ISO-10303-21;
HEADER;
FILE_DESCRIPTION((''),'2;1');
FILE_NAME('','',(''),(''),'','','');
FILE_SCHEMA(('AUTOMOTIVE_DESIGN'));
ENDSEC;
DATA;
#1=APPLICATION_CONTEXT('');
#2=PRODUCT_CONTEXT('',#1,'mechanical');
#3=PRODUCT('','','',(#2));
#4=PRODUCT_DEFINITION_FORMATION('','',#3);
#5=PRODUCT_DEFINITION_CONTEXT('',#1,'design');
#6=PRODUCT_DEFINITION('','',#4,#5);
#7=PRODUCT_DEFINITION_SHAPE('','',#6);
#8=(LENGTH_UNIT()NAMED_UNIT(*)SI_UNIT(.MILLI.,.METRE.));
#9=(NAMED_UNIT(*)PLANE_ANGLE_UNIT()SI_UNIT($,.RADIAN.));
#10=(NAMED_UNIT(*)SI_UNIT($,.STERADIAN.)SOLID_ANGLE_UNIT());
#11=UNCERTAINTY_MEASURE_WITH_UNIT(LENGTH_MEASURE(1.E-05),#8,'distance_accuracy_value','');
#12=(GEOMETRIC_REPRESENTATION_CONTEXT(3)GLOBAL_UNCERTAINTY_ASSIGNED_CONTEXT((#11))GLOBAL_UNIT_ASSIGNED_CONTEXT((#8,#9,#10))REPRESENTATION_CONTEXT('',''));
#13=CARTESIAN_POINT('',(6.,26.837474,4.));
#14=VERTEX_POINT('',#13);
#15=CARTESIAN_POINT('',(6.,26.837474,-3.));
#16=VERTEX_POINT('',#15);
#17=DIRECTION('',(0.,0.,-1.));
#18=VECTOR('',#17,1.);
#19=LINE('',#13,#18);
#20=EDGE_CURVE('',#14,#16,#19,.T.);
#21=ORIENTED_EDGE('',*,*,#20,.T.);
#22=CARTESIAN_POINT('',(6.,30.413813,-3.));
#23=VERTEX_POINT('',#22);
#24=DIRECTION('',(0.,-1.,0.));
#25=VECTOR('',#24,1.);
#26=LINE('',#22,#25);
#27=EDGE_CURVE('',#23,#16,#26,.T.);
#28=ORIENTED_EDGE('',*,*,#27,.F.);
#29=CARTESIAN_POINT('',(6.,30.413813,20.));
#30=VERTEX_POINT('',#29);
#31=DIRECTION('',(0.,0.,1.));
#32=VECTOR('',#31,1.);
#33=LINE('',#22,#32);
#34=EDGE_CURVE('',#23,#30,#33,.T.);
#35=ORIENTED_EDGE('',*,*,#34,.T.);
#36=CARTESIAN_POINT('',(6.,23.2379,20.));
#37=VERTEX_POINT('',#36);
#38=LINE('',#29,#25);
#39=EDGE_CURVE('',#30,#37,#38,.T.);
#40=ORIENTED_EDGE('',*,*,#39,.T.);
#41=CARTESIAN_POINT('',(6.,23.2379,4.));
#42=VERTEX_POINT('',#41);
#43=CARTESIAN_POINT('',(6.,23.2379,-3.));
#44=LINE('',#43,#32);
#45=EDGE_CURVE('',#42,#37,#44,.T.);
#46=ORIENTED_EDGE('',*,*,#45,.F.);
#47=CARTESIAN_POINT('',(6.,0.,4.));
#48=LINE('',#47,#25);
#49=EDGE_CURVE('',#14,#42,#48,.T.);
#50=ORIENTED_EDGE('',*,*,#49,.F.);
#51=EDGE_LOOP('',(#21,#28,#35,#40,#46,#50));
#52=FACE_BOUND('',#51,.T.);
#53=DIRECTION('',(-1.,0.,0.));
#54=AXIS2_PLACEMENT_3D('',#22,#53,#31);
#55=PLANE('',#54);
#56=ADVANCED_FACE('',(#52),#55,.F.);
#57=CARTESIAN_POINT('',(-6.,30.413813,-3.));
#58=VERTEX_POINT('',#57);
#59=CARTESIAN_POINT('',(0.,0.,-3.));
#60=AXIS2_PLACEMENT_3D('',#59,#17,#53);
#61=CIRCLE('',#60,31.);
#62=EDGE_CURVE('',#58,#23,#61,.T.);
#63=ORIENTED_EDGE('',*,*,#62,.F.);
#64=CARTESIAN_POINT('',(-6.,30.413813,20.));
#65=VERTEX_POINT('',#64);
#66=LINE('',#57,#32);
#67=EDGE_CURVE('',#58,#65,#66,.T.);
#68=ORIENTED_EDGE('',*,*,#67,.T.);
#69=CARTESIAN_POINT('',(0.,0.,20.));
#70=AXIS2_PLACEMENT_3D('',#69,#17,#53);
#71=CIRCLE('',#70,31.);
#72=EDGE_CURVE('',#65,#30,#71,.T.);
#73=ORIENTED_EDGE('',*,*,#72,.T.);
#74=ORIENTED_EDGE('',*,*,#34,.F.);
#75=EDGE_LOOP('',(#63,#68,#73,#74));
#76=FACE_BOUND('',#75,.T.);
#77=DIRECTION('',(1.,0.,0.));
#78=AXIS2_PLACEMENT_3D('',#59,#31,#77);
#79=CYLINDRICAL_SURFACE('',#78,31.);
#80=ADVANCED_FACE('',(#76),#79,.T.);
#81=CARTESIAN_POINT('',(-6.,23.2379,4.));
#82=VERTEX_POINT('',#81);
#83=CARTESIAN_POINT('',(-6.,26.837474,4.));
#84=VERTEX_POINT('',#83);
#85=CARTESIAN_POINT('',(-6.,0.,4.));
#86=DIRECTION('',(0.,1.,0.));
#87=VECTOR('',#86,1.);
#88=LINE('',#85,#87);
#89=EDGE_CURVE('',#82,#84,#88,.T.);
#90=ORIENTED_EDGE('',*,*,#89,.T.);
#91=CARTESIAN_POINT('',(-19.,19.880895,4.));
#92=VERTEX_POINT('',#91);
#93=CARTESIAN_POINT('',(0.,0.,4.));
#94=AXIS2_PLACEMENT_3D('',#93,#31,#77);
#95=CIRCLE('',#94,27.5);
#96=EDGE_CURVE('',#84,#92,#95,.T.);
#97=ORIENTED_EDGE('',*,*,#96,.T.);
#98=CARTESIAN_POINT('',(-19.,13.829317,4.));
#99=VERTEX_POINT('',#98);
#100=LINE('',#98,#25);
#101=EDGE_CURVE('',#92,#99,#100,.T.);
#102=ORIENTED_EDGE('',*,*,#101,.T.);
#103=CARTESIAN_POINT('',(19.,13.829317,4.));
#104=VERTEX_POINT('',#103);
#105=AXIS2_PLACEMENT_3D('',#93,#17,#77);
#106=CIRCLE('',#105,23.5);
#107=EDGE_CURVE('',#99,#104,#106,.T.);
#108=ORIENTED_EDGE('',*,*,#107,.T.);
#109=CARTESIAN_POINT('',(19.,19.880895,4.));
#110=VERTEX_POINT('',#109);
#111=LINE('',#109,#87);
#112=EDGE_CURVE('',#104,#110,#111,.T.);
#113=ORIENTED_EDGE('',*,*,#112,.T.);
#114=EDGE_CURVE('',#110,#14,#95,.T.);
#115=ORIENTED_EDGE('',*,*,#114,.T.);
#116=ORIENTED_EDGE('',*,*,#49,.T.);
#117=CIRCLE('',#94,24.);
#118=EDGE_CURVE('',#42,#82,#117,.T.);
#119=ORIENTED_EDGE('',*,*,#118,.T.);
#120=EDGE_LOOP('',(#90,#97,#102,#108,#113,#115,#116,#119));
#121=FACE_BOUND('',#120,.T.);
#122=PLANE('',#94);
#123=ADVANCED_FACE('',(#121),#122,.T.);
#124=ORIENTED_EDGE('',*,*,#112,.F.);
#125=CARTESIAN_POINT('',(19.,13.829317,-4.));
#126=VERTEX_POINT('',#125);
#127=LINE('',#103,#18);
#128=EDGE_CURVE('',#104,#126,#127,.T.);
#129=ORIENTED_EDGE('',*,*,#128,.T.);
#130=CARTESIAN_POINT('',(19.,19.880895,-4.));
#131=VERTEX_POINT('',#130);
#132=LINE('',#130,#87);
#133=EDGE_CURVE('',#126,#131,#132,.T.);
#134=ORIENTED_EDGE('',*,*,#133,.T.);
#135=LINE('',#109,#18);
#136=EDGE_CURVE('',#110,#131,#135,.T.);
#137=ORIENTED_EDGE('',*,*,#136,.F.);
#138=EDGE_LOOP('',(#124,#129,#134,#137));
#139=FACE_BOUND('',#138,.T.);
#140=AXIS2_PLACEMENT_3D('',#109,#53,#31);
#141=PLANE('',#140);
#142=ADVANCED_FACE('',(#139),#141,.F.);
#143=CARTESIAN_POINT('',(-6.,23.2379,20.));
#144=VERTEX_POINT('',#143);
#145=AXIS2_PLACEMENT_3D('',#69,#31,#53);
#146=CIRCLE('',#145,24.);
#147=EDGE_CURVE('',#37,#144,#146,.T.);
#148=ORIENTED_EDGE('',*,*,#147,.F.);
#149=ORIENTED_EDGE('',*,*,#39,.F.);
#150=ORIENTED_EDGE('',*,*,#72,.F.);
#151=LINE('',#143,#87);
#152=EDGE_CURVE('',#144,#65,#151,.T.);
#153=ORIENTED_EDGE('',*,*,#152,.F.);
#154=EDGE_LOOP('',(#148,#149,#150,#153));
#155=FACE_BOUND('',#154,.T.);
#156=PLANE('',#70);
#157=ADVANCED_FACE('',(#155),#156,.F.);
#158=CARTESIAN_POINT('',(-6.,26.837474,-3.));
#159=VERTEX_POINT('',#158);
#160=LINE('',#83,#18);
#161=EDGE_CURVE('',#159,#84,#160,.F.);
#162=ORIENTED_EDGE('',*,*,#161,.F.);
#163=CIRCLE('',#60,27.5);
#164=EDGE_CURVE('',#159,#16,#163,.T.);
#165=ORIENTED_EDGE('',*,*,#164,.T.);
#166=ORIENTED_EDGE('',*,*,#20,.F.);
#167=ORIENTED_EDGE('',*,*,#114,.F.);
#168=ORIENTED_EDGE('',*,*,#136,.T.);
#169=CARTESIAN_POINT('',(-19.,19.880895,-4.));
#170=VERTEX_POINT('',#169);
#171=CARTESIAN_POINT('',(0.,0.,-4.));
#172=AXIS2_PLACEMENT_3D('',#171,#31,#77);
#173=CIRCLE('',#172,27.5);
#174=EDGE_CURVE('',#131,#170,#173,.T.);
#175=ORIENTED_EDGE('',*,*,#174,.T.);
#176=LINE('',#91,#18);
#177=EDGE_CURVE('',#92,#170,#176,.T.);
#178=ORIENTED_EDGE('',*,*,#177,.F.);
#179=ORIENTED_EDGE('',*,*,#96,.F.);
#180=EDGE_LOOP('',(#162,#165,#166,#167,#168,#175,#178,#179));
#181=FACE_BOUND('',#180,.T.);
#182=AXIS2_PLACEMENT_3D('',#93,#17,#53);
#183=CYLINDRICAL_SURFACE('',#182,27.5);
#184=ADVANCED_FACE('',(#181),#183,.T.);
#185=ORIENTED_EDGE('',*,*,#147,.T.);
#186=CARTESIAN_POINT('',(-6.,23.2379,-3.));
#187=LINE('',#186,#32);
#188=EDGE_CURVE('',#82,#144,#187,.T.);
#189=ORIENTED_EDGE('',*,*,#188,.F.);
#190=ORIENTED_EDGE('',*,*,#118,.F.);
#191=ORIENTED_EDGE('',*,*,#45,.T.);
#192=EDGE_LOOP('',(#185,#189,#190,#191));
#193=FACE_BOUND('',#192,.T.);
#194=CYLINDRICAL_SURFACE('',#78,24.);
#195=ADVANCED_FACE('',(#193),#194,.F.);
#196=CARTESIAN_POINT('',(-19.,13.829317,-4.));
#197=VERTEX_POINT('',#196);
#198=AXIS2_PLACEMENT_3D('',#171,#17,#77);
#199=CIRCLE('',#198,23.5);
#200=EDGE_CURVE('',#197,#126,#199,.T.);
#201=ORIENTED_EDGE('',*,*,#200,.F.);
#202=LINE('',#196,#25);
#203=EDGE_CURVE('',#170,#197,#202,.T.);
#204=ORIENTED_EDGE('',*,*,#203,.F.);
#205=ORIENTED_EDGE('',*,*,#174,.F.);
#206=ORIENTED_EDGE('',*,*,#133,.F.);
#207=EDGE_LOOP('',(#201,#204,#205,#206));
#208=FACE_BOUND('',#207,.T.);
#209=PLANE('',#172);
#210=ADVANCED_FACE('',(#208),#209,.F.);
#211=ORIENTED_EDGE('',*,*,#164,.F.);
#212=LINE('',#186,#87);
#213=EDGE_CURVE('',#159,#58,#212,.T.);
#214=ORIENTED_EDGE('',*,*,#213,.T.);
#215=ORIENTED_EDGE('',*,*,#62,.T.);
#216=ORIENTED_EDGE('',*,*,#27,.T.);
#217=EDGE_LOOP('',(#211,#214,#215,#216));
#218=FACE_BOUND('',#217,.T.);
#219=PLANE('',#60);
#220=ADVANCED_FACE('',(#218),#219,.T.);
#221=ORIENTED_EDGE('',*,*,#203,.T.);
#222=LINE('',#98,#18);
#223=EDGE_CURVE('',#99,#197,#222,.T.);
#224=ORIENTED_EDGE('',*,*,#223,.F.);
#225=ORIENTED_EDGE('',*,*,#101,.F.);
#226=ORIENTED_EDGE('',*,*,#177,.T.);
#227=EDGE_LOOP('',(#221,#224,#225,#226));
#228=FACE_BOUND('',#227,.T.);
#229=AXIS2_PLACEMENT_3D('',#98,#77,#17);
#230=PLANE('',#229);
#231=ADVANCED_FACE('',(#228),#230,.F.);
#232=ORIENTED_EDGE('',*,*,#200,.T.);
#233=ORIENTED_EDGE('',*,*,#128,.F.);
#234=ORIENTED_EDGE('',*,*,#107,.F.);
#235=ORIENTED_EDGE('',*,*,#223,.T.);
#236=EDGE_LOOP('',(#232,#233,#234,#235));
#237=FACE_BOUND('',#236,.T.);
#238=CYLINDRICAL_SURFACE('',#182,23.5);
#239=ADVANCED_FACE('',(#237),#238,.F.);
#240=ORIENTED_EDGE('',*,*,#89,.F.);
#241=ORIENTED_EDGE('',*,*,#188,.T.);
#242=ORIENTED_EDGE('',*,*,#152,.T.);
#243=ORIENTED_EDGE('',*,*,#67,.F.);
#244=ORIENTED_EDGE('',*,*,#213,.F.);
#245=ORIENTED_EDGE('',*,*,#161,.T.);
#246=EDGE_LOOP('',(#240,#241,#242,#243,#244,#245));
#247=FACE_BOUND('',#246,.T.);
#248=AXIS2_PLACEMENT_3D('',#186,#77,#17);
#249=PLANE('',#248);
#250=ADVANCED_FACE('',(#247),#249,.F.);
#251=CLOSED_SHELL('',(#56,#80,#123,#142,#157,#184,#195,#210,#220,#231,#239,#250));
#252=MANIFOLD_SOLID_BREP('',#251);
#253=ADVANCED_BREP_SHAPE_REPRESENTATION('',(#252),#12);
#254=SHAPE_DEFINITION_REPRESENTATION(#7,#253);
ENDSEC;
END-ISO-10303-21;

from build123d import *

# Parameters (mm, degrees)
EXTRUDE1_DEPTH      = 4
EXTRUDE2_DEPTH      = 7
EXTRUDE2_DEPTH_BACK = 16


with BuildPart() as part:
    # Sketch1 → Extrude1 (new, symmetric)
    with BuildSketch(Plane.XY):
        with BuildLine():
            Line((-19, 13.829316686), (-19, 19.880895352))
            ThreePointArc((-19, 19.880895352), (0, 27.5), (19, 19.880895352))
            Line((19, 19.880895352), (19, 13.829316686))
            ThreePointArc((19, 13.829316686), (0, 23.5), (-19, 13.829316686))
        make_face()
    extrude(amount=EXTRUDE1_DEPTH, both=True)

    # Sketch2 → Extrude2 (add, two sides: drawn at the far end of the back side and taken through both)
    with BuildSketch(Plane(origin=(0, 0, 4), x_dir=(-1, 0, 0), z_dir=(0, 0, -1)).offset(-EXTRUDE2_DEPTH_BACK)):
        with BuildLine():
            Line((6, 23.237900077), (6, 30.413812651))
            ThreePointArc((6, 30.413812651), (0, 31), (-6, 30.413812651))
            Line((-6, 30.413812651), (-6, 23.237900077))
            ThreePointArc((-6, 23.237900077), (0, 24), (6, 23.237900077))
        make_face()
    extrude(amount=EXTRUDE2_DEPTH + EXTRUDE2_DEPTH_BACK)


solid = part.part
